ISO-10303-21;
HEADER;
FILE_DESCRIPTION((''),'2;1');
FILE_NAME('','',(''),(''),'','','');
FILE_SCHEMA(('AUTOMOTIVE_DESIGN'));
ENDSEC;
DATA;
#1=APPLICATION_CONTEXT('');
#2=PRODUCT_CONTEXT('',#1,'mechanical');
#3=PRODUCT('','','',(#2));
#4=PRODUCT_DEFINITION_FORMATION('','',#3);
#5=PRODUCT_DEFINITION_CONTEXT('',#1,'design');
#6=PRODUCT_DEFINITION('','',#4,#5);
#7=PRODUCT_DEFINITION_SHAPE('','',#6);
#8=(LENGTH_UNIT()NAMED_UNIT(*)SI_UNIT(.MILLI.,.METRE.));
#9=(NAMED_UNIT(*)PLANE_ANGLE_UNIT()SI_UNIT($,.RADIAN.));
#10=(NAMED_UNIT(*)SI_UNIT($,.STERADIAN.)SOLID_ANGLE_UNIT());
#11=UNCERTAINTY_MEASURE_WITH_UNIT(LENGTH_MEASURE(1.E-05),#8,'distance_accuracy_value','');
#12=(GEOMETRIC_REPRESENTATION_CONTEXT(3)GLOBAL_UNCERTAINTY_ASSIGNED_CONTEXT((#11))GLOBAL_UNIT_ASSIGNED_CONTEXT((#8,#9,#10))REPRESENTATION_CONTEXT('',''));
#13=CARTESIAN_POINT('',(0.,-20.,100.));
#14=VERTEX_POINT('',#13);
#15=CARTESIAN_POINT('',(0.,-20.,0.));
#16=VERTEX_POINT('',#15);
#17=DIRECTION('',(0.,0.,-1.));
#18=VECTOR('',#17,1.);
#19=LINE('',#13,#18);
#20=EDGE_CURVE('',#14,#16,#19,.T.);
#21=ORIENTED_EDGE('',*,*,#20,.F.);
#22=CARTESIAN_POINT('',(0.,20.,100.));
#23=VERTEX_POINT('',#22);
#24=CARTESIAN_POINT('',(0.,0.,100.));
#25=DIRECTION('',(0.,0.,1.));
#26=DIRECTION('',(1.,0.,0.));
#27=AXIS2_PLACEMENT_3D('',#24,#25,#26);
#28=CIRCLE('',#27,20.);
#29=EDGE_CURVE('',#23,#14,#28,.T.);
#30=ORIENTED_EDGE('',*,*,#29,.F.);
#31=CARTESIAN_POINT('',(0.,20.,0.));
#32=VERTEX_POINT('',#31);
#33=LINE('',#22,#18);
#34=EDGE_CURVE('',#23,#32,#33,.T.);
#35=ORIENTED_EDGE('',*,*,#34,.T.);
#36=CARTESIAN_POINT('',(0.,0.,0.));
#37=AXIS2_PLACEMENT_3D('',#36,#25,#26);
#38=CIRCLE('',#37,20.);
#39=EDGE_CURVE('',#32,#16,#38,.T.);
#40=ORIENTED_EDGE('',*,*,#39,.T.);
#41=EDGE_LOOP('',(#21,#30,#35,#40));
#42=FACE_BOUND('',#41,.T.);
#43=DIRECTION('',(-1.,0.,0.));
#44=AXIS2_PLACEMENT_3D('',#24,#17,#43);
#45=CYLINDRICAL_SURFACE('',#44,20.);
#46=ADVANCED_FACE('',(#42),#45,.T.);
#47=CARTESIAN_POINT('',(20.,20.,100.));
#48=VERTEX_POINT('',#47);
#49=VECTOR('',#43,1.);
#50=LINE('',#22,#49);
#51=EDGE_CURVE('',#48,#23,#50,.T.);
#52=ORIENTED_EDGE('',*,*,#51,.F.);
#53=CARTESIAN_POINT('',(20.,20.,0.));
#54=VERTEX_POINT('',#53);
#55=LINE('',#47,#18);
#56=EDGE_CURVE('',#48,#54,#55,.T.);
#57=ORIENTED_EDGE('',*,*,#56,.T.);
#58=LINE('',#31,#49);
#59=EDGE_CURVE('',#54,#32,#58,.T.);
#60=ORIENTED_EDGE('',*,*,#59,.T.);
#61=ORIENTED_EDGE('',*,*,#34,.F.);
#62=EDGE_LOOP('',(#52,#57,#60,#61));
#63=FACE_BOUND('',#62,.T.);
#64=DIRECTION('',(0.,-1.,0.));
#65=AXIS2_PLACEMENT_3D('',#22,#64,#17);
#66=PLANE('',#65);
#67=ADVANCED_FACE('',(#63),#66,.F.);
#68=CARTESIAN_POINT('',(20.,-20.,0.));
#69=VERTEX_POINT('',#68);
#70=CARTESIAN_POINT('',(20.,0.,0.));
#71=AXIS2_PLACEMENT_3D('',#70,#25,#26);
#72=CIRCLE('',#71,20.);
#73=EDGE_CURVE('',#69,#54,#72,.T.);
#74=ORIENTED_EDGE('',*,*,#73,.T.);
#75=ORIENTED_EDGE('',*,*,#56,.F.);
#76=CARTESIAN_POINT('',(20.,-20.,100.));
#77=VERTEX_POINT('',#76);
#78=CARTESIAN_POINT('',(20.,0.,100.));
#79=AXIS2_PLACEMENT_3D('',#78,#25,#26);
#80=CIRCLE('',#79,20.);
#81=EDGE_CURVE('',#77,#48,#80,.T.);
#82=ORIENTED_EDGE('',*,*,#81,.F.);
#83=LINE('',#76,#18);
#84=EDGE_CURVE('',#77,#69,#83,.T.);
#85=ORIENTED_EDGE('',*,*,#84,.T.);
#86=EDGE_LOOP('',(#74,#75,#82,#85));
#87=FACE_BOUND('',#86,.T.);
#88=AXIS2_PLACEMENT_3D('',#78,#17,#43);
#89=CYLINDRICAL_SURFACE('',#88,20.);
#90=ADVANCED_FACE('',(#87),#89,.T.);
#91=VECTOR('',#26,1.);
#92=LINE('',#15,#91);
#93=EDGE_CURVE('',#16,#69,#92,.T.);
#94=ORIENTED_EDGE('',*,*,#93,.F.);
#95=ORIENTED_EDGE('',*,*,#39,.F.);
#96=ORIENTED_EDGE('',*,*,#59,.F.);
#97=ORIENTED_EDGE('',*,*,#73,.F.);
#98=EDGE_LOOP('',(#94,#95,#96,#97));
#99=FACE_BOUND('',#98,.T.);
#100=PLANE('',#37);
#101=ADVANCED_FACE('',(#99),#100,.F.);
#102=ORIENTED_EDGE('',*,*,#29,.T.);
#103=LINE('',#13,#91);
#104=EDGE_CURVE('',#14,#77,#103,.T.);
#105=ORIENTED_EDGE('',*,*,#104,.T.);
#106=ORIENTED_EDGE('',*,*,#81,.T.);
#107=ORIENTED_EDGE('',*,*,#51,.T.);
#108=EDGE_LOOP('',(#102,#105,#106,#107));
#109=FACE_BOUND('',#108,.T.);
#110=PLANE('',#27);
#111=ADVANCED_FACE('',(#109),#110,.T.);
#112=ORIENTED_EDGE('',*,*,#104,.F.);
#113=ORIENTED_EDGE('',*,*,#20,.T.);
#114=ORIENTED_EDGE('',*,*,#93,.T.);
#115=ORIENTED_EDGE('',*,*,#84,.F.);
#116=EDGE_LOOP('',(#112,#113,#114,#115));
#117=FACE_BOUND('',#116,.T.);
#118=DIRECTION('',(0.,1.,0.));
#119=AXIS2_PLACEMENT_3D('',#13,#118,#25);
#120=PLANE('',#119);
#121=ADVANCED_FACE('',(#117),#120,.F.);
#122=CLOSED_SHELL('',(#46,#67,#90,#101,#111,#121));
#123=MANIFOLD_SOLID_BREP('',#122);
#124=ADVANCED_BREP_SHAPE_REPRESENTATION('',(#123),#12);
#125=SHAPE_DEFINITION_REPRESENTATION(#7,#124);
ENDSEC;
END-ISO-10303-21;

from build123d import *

# Parameters (mm, degrees)
BOSS_EXTRUDE1_DEPTH = 100


with BuildPart() as part:
    # Sketch1 → Boss-Extrude1 (new body)
    with BuildSketch(Plane.XY):
        with BuildLine():
            Line((0, 20), (20, 20))
            ThreePointArc((20, 20), (40, 0), (20, -20))
            Line((20, -20), (0, -20))
            ThreePointArc((0, -20), (-20, 0), (0, 20))
        make_face()
    extrude(amount=BOSS_EXTRUDE1_DEPTH)


solid = part.part
